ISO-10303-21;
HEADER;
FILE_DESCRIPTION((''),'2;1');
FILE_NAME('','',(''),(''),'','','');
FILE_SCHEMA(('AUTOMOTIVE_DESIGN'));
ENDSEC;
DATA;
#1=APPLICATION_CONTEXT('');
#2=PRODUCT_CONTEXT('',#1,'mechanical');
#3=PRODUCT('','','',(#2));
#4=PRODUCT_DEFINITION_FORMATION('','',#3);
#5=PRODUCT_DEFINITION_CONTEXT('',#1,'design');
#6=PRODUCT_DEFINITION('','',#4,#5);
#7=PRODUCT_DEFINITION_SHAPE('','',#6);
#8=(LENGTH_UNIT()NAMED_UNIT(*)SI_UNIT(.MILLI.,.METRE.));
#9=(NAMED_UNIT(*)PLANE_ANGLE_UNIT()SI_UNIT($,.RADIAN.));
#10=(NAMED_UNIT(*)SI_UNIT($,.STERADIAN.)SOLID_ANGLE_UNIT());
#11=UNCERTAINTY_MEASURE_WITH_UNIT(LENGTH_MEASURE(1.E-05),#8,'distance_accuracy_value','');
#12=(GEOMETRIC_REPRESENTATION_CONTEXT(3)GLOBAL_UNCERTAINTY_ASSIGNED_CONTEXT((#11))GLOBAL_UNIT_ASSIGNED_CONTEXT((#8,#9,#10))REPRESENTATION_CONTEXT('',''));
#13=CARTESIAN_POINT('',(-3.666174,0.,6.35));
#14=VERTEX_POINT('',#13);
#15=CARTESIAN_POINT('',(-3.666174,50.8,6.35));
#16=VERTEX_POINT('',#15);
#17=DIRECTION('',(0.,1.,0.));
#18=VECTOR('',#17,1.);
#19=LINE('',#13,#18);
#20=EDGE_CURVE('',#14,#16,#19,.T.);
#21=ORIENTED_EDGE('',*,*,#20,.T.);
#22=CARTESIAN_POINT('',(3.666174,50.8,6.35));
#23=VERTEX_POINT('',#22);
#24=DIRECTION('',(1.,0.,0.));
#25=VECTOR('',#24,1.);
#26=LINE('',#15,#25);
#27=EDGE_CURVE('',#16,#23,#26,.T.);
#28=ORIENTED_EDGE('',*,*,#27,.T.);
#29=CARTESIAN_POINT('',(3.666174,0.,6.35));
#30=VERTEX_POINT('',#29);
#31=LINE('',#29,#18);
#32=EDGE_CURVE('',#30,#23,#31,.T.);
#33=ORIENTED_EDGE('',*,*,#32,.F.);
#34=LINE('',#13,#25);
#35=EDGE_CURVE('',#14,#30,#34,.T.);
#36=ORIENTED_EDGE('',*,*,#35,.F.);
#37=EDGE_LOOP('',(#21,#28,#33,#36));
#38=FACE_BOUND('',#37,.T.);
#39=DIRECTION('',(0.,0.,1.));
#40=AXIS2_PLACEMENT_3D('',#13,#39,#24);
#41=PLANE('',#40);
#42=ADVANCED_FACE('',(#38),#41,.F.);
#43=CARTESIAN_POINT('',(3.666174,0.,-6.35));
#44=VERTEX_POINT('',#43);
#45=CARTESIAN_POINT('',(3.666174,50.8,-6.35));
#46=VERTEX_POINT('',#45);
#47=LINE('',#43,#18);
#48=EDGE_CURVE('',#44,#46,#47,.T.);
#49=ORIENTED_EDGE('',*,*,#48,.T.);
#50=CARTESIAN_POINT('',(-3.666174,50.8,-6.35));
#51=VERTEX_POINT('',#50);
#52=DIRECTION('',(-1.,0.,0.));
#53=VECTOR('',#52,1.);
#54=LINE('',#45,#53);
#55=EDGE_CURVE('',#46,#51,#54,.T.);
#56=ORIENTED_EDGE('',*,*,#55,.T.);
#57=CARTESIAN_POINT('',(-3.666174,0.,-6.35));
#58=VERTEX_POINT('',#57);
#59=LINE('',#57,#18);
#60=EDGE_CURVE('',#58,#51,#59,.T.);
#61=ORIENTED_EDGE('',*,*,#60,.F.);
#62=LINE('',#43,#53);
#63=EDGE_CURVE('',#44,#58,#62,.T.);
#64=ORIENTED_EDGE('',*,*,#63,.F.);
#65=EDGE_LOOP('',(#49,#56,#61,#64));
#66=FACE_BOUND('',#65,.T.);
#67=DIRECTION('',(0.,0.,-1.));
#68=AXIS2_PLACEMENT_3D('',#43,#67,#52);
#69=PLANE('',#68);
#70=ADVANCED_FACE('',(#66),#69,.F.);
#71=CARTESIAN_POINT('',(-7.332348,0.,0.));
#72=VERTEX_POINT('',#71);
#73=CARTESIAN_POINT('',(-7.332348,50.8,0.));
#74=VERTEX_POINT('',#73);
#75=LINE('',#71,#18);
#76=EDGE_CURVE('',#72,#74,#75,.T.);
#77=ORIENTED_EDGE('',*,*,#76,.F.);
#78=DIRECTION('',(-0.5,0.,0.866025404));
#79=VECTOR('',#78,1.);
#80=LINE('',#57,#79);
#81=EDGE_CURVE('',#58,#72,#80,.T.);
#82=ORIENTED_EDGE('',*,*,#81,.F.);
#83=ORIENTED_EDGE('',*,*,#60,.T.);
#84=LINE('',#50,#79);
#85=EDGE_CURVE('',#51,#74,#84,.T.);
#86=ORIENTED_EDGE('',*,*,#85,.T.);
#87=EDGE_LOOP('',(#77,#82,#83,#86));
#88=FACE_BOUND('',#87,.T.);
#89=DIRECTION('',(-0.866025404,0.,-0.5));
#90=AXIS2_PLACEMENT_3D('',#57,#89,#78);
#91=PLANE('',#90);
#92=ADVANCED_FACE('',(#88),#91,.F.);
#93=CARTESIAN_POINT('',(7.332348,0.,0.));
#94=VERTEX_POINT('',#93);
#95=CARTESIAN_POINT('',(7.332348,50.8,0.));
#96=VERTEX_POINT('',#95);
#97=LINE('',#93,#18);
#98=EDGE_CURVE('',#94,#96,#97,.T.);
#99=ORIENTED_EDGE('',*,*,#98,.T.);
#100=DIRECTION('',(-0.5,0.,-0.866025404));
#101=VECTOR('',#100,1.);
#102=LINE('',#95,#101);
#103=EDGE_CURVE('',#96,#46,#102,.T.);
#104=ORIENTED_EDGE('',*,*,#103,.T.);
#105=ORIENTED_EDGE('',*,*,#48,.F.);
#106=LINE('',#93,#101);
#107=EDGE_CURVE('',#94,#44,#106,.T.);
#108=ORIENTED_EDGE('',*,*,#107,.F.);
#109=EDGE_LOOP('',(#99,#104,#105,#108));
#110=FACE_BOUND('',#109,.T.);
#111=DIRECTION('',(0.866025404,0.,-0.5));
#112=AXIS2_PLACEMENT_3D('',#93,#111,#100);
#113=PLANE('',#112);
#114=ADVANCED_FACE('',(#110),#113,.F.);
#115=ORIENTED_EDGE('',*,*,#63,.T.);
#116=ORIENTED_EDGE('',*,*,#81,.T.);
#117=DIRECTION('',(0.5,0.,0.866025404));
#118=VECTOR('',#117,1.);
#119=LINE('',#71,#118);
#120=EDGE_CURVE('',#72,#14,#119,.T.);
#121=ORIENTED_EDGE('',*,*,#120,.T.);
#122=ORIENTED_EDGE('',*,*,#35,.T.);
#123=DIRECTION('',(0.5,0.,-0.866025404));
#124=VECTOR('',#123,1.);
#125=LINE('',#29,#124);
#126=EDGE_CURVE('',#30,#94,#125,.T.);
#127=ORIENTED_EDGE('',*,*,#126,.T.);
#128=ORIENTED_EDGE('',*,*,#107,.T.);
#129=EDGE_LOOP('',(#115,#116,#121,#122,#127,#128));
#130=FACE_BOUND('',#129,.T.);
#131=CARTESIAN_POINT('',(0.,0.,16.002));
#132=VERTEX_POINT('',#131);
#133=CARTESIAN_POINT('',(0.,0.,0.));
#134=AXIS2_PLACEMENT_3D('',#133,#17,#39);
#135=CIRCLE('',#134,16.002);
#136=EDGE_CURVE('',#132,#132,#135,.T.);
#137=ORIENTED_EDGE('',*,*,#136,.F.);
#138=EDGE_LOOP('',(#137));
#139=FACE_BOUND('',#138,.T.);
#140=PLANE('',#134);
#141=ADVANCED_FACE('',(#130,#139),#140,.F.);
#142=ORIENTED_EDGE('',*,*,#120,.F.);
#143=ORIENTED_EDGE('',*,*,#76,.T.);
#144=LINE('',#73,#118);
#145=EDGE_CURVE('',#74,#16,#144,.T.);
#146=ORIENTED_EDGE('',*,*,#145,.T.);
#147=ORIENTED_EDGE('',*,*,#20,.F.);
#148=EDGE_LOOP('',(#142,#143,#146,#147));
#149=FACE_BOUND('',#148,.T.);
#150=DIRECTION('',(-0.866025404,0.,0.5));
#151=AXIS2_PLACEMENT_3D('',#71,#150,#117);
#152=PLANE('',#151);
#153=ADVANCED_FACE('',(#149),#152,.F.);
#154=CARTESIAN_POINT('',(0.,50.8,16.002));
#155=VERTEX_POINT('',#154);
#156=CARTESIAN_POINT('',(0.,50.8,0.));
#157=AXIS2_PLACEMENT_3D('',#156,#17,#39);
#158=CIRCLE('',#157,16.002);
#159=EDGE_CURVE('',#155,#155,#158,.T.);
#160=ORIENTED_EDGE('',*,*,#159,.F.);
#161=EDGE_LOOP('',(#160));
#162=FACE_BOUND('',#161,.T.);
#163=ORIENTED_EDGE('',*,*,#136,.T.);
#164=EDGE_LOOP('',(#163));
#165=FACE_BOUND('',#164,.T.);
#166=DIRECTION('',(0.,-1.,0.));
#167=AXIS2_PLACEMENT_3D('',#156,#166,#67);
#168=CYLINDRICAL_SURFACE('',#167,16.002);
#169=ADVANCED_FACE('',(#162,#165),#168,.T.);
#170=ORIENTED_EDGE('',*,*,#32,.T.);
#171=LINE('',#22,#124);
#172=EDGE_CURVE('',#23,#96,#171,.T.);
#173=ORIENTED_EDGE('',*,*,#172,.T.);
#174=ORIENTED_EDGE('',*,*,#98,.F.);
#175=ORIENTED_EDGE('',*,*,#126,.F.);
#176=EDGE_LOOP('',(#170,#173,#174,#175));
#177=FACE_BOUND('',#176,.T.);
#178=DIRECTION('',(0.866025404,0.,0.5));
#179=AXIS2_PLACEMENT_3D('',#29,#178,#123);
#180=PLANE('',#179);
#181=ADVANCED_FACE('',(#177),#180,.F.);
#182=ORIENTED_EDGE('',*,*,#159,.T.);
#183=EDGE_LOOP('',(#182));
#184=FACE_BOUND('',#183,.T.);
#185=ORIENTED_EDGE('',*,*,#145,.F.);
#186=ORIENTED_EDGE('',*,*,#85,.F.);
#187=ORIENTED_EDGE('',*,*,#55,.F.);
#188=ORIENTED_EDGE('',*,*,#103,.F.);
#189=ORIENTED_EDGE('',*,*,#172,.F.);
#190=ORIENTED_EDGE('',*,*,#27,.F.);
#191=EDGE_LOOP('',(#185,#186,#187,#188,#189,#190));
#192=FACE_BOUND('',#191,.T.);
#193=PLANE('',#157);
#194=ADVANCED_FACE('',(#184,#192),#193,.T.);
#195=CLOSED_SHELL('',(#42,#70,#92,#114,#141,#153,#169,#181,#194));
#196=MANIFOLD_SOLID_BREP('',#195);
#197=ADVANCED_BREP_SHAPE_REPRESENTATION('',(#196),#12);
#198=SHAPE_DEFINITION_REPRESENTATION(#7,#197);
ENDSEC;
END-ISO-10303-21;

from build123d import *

# Parameters (mm, degrees)
SKETCH2_R           = 16.002
BOSS_EXTRUDE1_DEPTH = 50.8
CUT_EXTRUDE1_DEPTH  = 56.612660501


with BuildPart() as part:
    # Sketch2 → Boss-Extrude1 (new body)
    with BuildSketch(Plane(origin=(0, 0, 0), x_dir=(1, 0, 0), z_dir=(0, 1, 0))):
        with Locations(Location((0, 0, 0), (0, 0, 270))):
            Circle(SKETCH2_R)
    extrude(amount=BOSS_EXTRUDE1_DEPTH)

    # Sketch3 → Cut-Extrude1 (cut, through all)
    with BuildSketch(Plane(origin=(0, 50.8, 0), x_dir=(1, 0, 0), z_dir=(0, 1, 0))):
        Polygon((7.332348419, 0), (3.666174209, 6.35), (-3.666174209, 6.35), (-7.332348419, 0), (-3.666174209, -6.35), (3.666174209, -6.35), align=None)
    extrude(amount=-CUT_EXTRUDE1_DEPTH, mode=Mode.SUBTRACT)


solid = part.part
